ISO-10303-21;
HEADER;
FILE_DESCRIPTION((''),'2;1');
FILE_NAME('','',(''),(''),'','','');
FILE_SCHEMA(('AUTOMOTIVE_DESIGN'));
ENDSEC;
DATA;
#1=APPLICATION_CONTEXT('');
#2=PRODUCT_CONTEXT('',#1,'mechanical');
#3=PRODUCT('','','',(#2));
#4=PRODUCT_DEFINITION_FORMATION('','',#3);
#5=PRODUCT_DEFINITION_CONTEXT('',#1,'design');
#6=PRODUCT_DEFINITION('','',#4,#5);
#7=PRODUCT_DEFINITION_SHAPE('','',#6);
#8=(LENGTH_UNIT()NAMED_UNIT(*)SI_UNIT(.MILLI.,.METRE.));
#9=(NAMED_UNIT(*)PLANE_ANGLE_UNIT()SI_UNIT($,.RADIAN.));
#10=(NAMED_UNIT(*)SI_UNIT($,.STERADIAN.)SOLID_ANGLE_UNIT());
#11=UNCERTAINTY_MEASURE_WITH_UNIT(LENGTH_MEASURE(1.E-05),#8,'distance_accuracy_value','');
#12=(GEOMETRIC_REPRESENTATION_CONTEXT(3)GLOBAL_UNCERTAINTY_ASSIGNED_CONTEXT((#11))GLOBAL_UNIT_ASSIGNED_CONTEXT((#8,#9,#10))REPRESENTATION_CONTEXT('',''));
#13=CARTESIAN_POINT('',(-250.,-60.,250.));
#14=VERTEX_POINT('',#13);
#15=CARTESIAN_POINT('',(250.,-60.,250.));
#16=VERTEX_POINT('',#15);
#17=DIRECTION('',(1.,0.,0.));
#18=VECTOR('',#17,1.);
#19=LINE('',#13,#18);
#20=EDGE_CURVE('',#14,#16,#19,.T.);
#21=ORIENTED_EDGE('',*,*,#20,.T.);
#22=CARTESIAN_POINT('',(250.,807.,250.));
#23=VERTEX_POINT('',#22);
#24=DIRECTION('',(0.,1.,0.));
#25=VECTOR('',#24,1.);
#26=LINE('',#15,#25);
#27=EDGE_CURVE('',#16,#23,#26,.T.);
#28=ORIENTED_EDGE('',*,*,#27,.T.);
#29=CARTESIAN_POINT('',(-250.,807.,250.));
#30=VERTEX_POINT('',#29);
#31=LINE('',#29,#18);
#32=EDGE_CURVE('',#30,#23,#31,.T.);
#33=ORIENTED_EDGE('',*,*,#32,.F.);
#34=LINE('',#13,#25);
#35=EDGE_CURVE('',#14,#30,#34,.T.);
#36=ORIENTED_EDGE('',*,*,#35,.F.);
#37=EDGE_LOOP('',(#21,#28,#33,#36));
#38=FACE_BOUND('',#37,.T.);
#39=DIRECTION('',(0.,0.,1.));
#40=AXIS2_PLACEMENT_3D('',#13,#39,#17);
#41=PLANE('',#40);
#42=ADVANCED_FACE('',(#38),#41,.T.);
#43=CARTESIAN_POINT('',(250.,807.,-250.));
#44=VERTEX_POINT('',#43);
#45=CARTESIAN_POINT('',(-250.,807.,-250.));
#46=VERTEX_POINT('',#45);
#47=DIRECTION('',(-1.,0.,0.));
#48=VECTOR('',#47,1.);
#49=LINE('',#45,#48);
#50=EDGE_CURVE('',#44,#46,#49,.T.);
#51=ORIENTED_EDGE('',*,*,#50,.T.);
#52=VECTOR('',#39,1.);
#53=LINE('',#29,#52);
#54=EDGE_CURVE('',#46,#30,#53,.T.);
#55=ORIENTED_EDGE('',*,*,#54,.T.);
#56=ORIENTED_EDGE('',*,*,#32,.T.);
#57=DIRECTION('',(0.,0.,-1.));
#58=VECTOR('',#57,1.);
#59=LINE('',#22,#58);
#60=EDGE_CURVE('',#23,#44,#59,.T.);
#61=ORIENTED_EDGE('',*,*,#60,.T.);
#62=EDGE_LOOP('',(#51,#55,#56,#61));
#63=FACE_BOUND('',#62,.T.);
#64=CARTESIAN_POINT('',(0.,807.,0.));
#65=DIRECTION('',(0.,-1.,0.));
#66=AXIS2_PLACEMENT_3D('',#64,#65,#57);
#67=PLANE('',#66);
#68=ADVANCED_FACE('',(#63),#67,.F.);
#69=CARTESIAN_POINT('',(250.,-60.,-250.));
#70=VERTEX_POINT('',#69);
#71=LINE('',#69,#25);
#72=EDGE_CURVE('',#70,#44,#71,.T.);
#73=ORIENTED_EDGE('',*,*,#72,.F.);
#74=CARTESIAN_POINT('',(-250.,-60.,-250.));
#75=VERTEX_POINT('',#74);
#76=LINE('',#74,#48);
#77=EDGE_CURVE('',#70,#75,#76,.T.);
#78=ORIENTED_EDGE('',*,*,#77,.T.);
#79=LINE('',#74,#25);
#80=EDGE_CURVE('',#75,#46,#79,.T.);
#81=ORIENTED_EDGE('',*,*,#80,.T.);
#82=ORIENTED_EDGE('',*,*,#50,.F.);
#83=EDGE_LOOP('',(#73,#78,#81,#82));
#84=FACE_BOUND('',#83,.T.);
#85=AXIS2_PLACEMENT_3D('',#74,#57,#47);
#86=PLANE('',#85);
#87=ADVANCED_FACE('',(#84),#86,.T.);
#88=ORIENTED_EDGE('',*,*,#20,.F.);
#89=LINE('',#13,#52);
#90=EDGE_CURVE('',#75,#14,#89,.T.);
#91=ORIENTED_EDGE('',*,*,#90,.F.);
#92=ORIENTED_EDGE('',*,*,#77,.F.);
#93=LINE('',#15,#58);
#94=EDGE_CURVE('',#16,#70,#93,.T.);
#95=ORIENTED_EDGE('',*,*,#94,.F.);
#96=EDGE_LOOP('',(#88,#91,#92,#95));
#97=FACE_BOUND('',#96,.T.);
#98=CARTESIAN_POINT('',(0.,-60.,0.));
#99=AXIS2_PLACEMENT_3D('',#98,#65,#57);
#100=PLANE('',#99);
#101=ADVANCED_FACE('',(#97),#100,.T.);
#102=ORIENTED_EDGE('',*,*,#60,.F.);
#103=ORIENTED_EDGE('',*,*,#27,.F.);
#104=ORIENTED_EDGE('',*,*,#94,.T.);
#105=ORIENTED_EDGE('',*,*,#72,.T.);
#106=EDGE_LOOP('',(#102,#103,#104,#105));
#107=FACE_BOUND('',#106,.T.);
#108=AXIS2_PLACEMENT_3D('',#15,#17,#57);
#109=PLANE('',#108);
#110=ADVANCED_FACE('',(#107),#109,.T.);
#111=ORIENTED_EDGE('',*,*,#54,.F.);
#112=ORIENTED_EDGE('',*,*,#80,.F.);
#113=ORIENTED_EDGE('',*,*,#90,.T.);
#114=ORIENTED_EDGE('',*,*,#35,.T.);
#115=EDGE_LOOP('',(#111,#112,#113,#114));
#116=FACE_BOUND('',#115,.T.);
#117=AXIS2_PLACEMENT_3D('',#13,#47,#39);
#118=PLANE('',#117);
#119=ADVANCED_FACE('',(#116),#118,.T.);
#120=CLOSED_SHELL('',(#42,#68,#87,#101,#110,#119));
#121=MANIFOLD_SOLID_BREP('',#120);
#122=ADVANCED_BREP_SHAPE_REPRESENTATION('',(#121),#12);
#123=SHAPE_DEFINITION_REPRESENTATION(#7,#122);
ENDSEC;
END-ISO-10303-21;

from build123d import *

# Parameters (mm, degrees)
SKETCH1_W                = 500
SKETCH1_H                = 500
BOSS_EXTRUDE1_DEPTH      = 807
BOSS_EXTRUDE1_DEPTH_BACK = 60


with BuildPart() as part:
    # Sketch1 → Boss-Extrude1 (new body, two sides)
    with BuildSketch(Plane(origin=(0, 0, 0), x_dir=(1, 0, 0), z_dir=(0, 1, 0))) as boss_extrude1_sk:
        Rectangle(SKETCH1_W, SKETCH1_H)
    extrude(amount=BOSS_EXTRUDE1_DEPTH)
    extrude(boss_extrude1_sk.sketch, amount=-BOSS_EXTRUDE1_DEPTH_BACK)


solid = part.part
